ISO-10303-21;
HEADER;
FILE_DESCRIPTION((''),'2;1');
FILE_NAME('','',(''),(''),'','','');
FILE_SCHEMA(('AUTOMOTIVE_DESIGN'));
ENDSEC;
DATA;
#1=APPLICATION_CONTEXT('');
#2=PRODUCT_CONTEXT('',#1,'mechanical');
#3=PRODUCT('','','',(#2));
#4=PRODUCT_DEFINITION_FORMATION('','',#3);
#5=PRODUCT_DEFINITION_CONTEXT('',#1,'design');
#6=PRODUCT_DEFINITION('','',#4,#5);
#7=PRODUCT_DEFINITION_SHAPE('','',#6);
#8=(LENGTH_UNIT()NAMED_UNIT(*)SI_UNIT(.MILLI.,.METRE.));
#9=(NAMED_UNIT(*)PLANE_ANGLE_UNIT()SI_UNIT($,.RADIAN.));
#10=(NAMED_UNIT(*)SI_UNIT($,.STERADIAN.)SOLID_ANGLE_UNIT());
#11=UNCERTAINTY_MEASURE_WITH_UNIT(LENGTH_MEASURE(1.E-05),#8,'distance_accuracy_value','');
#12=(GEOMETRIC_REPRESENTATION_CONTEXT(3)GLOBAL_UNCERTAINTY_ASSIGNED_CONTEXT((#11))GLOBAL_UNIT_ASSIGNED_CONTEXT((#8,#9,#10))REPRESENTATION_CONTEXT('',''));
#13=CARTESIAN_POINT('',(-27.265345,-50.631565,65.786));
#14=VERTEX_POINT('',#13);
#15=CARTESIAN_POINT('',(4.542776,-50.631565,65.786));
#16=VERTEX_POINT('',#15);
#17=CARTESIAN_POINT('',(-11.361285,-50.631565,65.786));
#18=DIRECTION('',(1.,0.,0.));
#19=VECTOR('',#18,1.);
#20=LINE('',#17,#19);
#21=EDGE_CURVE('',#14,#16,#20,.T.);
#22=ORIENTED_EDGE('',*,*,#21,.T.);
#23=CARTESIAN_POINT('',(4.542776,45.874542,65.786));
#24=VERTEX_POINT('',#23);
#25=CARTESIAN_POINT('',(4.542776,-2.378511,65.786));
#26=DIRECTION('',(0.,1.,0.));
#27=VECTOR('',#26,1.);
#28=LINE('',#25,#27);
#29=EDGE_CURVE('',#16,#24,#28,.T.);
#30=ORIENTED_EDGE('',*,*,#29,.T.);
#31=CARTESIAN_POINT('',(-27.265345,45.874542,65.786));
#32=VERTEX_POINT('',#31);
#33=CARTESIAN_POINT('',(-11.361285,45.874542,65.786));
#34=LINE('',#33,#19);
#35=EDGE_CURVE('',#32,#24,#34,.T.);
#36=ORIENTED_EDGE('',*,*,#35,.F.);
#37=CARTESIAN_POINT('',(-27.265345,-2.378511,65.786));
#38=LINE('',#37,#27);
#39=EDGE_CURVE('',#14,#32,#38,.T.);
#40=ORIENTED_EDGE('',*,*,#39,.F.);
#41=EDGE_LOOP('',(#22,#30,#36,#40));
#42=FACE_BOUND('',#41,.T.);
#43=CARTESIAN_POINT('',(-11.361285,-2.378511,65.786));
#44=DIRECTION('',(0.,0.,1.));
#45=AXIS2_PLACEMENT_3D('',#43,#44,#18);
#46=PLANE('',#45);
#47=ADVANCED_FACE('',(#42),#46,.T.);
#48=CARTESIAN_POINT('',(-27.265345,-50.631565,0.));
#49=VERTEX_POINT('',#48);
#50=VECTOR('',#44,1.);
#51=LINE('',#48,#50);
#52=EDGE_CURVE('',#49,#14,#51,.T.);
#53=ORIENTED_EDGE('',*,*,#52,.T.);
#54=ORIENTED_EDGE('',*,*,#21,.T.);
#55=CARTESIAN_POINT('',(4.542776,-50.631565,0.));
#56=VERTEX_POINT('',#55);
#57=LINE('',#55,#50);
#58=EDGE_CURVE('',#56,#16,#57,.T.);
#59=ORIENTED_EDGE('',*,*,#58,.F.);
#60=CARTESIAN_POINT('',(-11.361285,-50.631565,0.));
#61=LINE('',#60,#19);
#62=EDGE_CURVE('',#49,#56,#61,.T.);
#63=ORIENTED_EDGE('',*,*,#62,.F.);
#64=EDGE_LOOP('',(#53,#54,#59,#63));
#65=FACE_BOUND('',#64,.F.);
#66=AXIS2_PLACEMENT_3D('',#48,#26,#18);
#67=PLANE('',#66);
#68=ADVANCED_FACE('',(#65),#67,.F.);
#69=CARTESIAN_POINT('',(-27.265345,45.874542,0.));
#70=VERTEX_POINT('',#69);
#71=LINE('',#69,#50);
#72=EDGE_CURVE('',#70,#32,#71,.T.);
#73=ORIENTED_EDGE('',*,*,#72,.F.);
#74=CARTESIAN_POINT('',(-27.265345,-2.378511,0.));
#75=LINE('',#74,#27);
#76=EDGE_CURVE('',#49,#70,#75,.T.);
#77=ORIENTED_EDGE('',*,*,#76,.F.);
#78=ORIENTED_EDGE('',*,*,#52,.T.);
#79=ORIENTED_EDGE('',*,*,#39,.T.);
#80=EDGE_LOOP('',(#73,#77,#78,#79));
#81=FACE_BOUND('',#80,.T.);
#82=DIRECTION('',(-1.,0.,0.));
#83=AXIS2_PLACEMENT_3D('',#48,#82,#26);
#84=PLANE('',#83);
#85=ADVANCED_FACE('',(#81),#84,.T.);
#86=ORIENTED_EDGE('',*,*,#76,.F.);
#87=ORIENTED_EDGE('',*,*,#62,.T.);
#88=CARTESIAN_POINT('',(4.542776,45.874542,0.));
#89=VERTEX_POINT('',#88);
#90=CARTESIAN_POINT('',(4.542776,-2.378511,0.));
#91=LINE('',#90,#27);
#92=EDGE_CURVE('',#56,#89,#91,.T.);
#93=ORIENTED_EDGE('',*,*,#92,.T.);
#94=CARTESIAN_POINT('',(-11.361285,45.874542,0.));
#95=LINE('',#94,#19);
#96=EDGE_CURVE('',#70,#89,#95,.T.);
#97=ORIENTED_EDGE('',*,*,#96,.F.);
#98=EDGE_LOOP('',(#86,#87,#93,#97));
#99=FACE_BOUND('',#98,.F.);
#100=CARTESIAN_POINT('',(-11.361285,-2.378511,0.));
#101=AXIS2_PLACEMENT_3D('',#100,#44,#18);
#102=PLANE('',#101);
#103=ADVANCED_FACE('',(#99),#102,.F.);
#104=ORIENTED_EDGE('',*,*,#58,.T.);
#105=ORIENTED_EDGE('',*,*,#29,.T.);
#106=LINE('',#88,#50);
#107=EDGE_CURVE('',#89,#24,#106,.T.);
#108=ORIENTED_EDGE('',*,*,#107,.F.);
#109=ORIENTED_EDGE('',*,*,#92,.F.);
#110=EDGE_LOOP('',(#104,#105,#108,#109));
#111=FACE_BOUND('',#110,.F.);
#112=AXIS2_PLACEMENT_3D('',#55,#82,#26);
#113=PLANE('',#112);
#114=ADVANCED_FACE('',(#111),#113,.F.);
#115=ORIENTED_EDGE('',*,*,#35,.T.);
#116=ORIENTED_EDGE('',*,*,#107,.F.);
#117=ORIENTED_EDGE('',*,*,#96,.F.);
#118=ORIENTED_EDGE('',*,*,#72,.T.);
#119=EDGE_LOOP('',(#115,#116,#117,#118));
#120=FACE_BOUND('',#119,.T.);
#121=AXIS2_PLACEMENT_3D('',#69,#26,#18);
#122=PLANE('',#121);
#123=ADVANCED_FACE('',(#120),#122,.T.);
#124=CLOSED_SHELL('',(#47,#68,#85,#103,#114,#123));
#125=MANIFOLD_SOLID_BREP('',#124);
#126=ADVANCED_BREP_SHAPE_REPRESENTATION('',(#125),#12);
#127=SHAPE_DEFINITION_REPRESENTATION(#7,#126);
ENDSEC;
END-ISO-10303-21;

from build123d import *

# Parameters (mm, degrees)
F1_W     = 31.808121
F1_H     = 96.506107
F2_DEPTH = 65.786


with BuildPart() as f2:
    # F1 (on face) → F2 (new body)
    with BuildSketch(Plane.XY):
        with Locations((-11.361285, -2.378511)):
            Rectangle(F1_W, F1_H)
    extrude(amount=F2_DEPTH)


solid = f2.part
